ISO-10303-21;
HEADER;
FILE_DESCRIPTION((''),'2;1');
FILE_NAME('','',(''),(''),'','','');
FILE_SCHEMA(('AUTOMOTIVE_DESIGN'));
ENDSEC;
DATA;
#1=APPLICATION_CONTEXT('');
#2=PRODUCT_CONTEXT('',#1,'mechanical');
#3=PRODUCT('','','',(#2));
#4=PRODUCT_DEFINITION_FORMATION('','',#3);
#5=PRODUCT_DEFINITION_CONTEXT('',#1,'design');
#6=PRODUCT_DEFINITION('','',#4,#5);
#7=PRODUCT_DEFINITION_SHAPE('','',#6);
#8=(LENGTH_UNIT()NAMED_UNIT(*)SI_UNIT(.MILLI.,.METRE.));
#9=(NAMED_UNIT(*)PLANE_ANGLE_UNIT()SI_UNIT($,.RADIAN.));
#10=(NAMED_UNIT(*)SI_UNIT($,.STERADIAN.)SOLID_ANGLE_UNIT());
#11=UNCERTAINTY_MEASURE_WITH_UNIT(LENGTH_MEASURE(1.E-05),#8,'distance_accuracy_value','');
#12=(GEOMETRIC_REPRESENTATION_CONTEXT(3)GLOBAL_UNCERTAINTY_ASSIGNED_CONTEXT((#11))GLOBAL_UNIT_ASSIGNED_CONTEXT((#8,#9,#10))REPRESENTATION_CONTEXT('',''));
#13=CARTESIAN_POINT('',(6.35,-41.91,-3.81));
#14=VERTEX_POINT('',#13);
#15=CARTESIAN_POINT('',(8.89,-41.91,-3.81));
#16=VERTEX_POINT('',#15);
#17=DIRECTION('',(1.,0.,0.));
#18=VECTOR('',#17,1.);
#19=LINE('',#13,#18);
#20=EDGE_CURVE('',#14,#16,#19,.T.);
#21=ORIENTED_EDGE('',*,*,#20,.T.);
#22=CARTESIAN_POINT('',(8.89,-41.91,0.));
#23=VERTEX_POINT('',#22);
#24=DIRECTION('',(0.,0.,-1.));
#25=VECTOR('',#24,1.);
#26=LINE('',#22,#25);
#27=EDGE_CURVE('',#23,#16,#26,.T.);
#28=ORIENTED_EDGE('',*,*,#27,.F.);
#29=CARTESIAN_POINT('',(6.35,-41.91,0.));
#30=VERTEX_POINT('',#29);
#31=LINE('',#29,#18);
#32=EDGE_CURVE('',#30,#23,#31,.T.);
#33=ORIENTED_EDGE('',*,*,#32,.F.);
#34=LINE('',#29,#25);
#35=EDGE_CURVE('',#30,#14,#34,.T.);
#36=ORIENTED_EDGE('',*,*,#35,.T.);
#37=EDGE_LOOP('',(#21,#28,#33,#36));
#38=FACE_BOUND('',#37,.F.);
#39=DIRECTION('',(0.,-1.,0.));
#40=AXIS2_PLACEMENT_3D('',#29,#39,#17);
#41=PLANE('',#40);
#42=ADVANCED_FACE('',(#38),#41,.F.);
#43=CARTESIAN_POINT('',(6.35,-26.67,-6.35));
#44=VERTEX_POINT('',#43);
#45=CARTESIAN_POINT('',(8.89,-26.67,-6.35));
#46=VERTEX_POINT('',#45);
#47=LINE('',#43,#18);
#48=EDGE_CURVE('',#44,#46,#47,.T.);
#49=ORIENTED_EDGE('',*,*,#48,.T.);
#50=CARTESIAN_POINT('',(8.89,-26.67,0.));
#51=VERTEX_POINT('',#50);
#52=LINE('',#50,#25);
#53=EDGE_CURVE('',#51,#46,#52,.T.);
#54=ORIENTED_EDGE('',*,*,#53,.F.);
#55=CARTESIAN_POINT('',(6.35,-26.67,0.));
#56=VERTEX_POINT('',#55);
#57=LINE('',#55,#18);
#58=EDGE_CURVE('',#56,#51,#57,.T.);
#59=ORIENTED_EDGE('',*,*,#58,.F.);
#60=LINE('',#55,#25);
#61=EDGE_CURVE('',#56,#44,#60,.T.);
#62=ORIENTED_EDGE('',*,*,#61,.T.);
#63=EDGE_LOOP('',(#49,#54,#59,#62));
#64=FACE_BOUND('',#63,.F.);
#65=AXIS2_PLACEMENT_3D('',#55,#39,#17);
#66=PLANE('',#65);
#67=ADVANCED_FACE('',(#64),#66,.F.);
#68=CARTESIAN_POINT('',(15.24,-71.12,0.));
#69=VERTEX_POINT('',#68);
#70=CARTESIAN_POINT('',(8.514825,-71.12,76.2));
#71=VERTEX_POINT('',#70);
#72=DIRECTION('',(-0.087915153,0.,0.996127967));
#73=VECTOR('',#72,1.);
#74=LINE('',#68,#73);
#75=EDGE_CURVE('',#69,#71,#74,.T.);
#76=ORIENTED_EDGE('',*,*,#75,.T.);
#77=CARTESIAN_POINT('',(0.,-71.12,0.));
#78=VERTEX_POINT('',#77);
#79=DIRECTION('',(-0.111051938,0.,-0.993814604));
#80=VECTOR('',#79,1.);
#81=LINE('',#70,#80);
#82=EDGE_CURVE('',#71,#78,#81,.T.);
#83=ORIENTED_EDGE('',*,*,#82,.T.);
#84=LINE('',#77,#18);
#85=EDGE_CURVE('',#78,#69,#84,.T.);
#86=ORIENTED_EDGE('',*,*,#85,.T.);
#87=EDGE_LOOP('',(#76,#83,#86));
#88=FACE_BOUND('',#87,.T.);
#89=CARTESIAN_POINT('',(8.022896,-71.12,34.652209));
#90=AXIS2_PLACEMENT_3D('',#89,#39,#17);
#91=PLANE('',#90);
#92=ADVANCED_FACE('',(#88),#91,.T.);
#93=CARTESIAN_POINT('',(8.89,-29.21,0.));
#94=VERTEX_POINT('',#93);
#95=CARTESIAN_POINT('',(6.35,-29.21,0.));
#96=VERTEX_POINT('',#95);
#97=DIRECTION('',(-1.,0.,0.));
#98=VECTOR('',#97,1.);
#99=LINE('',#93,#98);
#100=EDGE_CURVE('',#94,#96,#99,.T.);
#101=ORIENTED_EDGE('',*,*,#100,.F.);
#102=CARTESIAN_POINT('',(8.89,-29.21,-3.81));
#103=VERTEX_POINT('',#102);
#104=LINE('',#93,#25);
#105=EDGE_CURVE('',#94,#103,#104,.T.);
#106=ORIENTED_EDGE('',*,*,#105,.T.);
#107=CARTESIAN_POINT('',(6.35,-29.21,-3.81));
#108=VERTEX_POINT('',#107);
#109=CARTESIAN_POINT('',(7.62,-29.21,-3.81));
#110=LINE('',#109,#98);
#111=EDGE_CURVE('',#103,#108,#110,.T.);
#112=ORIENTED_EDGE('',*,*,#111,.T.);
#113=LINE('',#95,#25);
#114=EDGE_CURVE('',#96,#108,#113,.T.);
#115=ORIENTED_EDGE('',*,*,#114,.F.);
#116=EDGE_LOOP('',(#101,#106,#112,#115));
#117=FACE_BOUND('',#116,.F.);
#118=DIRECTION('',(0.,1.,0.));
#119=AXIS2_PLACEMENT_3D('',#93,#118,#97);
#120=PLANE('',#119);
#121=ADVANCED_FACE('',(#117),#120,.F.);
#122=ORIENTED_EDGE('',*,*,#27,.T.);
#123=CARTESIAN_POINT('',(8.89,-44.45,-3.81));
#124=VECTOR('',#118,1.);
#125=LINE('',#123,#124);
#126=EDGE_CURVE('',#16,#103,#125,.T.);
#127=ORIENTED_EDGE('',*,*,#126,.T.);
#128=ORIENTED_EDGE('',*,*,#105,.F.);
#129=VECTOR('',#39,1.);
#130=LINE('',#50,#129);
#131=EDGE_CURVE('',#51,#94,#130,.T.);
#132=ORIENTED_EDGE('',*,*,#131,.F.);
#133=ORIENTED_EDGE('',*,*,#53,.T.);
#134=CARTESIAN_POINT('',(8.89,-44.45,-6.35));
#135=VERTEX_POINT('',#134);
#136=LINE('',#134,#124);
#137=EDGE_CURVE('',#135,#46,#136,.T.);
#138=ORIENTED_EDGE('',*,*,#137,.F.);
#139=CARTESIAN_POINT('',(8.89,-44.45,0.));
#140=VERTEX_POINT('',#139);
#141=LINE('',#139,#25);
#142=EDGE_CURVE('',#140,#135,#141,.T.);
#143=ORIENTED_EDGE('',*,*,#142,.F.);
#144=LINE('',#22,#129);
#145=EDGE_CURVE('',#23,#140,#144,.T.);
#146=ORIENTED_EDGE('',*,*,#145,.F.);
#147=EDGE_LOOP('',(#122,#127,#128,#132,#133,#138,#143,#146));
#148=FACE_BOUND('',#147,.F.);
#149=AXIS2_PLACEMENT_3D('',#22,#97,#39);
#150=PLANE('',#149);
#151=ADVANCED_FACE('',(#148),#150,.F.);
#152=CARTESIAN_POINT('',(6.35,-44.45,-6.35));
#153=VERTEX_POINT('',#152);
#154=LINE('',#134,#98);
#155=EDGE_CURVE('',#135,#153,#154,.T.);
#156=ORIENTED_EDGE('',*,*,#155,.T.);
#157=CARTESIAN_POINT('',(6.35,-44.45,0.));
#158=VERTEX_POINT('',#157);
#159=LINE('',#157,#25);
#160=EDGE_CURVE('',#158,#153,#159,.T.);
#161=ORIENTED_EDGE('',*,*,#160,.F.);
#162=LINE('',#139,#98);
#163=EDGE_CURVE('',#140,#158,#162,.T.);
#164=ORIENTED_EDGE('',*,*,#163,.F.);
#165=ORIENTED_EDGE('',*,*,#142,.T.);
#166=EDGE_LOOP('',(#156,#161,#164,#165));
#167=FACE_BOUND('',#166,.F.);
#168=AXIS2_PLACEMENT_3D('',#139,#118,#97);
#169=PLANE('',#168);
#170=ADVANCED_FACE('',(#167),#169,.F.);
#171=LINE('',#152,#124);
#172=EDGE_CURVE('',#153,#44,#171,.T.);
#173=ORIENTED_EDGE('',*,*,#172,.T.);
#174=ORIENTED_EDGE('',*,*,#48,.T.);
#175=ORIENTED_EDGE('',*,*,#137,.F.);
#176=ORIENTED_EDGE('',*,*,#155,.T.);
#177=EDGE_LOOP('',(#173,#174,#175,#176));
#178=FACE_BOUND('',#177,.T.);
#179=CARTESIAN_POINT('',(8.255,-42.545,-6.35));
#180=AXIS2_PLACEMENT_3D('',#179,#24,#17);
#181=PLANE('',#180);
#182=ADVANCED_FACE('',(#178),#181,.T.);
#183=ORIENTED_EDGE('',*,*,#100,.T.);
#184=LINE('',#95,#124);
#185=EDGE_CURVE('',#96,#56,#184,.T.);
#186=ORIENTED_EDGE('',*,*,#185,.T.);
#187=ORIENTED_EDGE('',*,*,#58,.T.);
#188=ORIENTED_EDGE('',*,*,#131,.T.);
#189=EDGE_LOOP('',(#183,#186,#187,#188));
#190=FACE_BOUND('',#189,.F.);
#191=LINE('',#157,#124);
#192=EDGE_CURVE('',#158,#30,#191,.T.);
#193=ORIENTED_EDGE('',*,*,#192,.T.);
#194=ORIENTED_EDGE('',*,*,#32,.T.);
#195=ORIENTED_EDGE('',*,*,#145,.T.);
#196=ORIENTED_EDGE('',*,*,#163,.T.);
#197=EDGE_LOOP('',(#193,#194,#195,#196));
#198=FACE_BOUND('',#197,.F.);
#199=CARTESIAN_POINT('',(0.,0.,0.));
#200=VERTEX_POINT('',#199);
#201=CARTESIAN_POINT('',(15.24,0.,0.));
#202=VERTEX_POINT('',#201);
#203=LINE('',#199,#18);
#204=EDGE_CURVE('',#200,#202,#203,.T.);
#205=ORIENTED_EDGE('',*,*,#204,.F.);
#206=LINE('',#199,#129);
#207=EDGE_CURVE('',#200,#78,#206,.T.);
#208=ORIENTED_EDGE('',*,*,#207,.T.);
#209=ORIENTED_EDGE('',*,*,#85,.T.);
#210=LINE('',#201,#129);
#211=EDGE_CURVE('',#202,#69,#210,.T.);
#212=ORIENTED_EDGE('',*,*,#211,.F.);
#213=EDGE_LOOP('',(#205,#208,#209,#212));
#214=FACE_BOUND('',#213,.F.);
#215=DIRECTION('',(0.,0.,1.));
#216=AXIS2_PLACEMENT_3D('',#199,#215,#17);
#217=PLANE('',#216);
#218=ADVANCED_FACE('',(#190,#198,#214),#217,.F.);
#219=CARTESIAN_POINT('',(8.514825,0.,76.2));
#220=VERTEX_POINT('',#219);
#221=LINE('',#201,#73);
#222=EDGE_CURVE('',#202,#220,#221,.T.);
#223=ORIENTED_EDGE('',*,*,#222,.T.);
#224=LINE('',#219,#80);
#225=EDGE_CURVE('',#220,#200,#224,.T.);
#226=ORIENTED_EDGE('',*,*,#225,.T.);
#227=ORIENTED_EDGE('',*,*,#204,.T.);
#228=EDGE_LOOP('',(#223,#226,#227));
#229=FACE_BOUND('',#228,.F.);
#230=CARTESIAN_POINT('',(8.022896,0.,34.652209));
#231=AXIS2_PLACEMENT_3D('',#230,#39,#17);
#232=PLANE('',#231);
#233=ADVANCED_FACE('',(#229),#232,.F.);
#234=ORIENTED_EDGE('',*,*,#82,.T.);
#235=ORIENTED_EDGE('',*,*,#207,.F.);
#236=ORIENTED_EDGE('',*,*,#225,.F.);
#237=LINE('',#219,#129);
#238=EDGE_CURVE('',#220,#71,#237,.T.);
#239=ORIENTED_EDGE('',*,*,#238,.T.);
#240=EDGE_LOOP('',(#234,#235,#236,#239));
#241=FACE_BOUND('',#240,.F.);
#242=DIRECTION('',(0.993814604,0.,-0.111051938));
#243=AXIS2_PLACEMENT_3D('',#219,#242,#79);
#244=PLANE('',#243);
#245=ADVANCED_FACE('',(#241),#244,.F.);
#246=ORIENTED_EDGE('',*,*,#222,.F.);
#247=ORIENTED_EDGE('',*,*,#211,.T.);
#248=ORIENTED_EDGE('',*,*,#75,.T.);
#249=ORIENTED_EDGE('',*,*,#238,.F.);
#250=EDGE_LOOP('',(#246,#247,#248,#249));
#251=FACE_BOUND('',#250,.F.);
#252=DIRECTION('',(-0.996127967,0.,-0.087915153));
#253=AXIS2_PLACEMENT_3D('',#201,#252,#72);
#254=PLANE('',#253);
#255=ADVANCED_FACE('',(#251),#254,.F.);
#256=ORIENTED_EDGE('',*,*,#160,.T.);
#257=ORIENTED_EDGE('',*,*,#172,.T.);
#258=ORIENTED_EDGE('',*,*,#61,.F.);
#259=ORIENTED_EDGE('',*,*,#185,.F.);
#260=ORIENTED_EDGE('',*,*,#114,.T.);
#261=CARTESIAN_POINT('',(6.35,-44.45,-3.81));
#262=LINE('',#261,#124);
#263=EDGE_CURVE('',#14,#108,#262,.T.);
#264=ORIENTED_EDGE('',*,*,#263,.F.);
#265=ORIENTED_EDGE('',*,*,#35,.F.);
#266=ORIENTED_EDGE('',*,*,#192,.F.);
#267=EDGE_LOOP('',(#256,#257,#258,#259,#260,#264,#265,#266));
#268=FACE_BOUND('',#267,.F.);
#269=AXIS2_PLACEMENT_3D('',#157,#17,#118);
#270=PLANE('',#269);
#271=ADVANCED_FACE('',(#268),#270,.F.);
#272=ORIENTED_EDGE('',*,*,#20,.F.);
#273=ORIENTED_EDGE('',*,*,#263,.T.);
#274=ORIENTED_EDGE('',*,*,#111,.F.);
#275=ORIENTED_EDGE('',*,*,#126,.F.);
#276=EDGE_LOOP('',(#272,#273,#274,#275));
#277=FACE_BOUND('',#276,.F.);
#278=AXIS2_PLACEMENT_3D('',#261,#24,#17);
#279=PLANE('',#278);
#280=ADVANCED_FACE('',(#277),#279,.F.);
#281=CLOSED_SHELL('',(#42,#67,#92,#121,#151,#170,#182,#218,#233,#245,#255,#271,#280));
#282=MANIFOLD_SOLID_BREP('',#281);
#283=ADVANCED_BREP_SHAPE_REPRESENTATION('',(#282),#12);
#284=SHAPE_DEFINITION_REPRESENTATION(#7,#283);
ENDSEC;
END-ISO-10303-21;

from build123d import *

# Parameters (mm, degrees)
F1_DEPTH = 71.12
F2_W     = 1.27
F2_H     = 1.27
F3_DEPTH = 6.35
F4_W     = 2.54
F4_H     = 2.54
F5_DEPTH = 17.77746


with BuildPart() as f1:
    # F0 (on Front) → F1 (new body)
    with BuildSketch(Plane.XZ):
        Polygon((8.5148252547, 76.2), (0, 0), (15.24, 0), align=None)
    extrude(amount=F1_DEPTH)

    # F2 (on face) → F3 (join)
    with BuildSketch(Plane(origin=(0, 0, 0), x_dir=(1, 0, 0), z_dir=(0, 0, -1))):
        with Locations((8.255, 42.545)):
            Rectangle(F2_W, F2_H)
        with Locations((8.255, 43.815)):
            Rectangle(F2_W, F2_H)
        with Locations((6.985, 43.815)):
            Rectangle(F2_W, F2_H)
        with Locations((6.985, 42.545)):
            Rectangle(F2_W, F2_H)
        with Locations((8.255, 28.575)):
            Rectangle(F2_W, F2_H)
        with Locations((6.985, 28.575)):
            Rectangle(F2_W, F2_H)
        with Locations((6.985, 27.305)):
            Rectangle(F2_W, F2_H)
        with Locations((8.255, 27.305)):
            Rectangle(F2_W, F2_H)
    extrude(amount=F3_DEPTH)

    # F4 (on face) → F5 (join)
    with BuildSketch(Plane.XZ.offset(44.45)):
        with Locations((7.62, -5.08)):
            Rectangle(F4_W, F4_H)
    extrude(amount=-F5_DEPTH)


solid = f1.part
